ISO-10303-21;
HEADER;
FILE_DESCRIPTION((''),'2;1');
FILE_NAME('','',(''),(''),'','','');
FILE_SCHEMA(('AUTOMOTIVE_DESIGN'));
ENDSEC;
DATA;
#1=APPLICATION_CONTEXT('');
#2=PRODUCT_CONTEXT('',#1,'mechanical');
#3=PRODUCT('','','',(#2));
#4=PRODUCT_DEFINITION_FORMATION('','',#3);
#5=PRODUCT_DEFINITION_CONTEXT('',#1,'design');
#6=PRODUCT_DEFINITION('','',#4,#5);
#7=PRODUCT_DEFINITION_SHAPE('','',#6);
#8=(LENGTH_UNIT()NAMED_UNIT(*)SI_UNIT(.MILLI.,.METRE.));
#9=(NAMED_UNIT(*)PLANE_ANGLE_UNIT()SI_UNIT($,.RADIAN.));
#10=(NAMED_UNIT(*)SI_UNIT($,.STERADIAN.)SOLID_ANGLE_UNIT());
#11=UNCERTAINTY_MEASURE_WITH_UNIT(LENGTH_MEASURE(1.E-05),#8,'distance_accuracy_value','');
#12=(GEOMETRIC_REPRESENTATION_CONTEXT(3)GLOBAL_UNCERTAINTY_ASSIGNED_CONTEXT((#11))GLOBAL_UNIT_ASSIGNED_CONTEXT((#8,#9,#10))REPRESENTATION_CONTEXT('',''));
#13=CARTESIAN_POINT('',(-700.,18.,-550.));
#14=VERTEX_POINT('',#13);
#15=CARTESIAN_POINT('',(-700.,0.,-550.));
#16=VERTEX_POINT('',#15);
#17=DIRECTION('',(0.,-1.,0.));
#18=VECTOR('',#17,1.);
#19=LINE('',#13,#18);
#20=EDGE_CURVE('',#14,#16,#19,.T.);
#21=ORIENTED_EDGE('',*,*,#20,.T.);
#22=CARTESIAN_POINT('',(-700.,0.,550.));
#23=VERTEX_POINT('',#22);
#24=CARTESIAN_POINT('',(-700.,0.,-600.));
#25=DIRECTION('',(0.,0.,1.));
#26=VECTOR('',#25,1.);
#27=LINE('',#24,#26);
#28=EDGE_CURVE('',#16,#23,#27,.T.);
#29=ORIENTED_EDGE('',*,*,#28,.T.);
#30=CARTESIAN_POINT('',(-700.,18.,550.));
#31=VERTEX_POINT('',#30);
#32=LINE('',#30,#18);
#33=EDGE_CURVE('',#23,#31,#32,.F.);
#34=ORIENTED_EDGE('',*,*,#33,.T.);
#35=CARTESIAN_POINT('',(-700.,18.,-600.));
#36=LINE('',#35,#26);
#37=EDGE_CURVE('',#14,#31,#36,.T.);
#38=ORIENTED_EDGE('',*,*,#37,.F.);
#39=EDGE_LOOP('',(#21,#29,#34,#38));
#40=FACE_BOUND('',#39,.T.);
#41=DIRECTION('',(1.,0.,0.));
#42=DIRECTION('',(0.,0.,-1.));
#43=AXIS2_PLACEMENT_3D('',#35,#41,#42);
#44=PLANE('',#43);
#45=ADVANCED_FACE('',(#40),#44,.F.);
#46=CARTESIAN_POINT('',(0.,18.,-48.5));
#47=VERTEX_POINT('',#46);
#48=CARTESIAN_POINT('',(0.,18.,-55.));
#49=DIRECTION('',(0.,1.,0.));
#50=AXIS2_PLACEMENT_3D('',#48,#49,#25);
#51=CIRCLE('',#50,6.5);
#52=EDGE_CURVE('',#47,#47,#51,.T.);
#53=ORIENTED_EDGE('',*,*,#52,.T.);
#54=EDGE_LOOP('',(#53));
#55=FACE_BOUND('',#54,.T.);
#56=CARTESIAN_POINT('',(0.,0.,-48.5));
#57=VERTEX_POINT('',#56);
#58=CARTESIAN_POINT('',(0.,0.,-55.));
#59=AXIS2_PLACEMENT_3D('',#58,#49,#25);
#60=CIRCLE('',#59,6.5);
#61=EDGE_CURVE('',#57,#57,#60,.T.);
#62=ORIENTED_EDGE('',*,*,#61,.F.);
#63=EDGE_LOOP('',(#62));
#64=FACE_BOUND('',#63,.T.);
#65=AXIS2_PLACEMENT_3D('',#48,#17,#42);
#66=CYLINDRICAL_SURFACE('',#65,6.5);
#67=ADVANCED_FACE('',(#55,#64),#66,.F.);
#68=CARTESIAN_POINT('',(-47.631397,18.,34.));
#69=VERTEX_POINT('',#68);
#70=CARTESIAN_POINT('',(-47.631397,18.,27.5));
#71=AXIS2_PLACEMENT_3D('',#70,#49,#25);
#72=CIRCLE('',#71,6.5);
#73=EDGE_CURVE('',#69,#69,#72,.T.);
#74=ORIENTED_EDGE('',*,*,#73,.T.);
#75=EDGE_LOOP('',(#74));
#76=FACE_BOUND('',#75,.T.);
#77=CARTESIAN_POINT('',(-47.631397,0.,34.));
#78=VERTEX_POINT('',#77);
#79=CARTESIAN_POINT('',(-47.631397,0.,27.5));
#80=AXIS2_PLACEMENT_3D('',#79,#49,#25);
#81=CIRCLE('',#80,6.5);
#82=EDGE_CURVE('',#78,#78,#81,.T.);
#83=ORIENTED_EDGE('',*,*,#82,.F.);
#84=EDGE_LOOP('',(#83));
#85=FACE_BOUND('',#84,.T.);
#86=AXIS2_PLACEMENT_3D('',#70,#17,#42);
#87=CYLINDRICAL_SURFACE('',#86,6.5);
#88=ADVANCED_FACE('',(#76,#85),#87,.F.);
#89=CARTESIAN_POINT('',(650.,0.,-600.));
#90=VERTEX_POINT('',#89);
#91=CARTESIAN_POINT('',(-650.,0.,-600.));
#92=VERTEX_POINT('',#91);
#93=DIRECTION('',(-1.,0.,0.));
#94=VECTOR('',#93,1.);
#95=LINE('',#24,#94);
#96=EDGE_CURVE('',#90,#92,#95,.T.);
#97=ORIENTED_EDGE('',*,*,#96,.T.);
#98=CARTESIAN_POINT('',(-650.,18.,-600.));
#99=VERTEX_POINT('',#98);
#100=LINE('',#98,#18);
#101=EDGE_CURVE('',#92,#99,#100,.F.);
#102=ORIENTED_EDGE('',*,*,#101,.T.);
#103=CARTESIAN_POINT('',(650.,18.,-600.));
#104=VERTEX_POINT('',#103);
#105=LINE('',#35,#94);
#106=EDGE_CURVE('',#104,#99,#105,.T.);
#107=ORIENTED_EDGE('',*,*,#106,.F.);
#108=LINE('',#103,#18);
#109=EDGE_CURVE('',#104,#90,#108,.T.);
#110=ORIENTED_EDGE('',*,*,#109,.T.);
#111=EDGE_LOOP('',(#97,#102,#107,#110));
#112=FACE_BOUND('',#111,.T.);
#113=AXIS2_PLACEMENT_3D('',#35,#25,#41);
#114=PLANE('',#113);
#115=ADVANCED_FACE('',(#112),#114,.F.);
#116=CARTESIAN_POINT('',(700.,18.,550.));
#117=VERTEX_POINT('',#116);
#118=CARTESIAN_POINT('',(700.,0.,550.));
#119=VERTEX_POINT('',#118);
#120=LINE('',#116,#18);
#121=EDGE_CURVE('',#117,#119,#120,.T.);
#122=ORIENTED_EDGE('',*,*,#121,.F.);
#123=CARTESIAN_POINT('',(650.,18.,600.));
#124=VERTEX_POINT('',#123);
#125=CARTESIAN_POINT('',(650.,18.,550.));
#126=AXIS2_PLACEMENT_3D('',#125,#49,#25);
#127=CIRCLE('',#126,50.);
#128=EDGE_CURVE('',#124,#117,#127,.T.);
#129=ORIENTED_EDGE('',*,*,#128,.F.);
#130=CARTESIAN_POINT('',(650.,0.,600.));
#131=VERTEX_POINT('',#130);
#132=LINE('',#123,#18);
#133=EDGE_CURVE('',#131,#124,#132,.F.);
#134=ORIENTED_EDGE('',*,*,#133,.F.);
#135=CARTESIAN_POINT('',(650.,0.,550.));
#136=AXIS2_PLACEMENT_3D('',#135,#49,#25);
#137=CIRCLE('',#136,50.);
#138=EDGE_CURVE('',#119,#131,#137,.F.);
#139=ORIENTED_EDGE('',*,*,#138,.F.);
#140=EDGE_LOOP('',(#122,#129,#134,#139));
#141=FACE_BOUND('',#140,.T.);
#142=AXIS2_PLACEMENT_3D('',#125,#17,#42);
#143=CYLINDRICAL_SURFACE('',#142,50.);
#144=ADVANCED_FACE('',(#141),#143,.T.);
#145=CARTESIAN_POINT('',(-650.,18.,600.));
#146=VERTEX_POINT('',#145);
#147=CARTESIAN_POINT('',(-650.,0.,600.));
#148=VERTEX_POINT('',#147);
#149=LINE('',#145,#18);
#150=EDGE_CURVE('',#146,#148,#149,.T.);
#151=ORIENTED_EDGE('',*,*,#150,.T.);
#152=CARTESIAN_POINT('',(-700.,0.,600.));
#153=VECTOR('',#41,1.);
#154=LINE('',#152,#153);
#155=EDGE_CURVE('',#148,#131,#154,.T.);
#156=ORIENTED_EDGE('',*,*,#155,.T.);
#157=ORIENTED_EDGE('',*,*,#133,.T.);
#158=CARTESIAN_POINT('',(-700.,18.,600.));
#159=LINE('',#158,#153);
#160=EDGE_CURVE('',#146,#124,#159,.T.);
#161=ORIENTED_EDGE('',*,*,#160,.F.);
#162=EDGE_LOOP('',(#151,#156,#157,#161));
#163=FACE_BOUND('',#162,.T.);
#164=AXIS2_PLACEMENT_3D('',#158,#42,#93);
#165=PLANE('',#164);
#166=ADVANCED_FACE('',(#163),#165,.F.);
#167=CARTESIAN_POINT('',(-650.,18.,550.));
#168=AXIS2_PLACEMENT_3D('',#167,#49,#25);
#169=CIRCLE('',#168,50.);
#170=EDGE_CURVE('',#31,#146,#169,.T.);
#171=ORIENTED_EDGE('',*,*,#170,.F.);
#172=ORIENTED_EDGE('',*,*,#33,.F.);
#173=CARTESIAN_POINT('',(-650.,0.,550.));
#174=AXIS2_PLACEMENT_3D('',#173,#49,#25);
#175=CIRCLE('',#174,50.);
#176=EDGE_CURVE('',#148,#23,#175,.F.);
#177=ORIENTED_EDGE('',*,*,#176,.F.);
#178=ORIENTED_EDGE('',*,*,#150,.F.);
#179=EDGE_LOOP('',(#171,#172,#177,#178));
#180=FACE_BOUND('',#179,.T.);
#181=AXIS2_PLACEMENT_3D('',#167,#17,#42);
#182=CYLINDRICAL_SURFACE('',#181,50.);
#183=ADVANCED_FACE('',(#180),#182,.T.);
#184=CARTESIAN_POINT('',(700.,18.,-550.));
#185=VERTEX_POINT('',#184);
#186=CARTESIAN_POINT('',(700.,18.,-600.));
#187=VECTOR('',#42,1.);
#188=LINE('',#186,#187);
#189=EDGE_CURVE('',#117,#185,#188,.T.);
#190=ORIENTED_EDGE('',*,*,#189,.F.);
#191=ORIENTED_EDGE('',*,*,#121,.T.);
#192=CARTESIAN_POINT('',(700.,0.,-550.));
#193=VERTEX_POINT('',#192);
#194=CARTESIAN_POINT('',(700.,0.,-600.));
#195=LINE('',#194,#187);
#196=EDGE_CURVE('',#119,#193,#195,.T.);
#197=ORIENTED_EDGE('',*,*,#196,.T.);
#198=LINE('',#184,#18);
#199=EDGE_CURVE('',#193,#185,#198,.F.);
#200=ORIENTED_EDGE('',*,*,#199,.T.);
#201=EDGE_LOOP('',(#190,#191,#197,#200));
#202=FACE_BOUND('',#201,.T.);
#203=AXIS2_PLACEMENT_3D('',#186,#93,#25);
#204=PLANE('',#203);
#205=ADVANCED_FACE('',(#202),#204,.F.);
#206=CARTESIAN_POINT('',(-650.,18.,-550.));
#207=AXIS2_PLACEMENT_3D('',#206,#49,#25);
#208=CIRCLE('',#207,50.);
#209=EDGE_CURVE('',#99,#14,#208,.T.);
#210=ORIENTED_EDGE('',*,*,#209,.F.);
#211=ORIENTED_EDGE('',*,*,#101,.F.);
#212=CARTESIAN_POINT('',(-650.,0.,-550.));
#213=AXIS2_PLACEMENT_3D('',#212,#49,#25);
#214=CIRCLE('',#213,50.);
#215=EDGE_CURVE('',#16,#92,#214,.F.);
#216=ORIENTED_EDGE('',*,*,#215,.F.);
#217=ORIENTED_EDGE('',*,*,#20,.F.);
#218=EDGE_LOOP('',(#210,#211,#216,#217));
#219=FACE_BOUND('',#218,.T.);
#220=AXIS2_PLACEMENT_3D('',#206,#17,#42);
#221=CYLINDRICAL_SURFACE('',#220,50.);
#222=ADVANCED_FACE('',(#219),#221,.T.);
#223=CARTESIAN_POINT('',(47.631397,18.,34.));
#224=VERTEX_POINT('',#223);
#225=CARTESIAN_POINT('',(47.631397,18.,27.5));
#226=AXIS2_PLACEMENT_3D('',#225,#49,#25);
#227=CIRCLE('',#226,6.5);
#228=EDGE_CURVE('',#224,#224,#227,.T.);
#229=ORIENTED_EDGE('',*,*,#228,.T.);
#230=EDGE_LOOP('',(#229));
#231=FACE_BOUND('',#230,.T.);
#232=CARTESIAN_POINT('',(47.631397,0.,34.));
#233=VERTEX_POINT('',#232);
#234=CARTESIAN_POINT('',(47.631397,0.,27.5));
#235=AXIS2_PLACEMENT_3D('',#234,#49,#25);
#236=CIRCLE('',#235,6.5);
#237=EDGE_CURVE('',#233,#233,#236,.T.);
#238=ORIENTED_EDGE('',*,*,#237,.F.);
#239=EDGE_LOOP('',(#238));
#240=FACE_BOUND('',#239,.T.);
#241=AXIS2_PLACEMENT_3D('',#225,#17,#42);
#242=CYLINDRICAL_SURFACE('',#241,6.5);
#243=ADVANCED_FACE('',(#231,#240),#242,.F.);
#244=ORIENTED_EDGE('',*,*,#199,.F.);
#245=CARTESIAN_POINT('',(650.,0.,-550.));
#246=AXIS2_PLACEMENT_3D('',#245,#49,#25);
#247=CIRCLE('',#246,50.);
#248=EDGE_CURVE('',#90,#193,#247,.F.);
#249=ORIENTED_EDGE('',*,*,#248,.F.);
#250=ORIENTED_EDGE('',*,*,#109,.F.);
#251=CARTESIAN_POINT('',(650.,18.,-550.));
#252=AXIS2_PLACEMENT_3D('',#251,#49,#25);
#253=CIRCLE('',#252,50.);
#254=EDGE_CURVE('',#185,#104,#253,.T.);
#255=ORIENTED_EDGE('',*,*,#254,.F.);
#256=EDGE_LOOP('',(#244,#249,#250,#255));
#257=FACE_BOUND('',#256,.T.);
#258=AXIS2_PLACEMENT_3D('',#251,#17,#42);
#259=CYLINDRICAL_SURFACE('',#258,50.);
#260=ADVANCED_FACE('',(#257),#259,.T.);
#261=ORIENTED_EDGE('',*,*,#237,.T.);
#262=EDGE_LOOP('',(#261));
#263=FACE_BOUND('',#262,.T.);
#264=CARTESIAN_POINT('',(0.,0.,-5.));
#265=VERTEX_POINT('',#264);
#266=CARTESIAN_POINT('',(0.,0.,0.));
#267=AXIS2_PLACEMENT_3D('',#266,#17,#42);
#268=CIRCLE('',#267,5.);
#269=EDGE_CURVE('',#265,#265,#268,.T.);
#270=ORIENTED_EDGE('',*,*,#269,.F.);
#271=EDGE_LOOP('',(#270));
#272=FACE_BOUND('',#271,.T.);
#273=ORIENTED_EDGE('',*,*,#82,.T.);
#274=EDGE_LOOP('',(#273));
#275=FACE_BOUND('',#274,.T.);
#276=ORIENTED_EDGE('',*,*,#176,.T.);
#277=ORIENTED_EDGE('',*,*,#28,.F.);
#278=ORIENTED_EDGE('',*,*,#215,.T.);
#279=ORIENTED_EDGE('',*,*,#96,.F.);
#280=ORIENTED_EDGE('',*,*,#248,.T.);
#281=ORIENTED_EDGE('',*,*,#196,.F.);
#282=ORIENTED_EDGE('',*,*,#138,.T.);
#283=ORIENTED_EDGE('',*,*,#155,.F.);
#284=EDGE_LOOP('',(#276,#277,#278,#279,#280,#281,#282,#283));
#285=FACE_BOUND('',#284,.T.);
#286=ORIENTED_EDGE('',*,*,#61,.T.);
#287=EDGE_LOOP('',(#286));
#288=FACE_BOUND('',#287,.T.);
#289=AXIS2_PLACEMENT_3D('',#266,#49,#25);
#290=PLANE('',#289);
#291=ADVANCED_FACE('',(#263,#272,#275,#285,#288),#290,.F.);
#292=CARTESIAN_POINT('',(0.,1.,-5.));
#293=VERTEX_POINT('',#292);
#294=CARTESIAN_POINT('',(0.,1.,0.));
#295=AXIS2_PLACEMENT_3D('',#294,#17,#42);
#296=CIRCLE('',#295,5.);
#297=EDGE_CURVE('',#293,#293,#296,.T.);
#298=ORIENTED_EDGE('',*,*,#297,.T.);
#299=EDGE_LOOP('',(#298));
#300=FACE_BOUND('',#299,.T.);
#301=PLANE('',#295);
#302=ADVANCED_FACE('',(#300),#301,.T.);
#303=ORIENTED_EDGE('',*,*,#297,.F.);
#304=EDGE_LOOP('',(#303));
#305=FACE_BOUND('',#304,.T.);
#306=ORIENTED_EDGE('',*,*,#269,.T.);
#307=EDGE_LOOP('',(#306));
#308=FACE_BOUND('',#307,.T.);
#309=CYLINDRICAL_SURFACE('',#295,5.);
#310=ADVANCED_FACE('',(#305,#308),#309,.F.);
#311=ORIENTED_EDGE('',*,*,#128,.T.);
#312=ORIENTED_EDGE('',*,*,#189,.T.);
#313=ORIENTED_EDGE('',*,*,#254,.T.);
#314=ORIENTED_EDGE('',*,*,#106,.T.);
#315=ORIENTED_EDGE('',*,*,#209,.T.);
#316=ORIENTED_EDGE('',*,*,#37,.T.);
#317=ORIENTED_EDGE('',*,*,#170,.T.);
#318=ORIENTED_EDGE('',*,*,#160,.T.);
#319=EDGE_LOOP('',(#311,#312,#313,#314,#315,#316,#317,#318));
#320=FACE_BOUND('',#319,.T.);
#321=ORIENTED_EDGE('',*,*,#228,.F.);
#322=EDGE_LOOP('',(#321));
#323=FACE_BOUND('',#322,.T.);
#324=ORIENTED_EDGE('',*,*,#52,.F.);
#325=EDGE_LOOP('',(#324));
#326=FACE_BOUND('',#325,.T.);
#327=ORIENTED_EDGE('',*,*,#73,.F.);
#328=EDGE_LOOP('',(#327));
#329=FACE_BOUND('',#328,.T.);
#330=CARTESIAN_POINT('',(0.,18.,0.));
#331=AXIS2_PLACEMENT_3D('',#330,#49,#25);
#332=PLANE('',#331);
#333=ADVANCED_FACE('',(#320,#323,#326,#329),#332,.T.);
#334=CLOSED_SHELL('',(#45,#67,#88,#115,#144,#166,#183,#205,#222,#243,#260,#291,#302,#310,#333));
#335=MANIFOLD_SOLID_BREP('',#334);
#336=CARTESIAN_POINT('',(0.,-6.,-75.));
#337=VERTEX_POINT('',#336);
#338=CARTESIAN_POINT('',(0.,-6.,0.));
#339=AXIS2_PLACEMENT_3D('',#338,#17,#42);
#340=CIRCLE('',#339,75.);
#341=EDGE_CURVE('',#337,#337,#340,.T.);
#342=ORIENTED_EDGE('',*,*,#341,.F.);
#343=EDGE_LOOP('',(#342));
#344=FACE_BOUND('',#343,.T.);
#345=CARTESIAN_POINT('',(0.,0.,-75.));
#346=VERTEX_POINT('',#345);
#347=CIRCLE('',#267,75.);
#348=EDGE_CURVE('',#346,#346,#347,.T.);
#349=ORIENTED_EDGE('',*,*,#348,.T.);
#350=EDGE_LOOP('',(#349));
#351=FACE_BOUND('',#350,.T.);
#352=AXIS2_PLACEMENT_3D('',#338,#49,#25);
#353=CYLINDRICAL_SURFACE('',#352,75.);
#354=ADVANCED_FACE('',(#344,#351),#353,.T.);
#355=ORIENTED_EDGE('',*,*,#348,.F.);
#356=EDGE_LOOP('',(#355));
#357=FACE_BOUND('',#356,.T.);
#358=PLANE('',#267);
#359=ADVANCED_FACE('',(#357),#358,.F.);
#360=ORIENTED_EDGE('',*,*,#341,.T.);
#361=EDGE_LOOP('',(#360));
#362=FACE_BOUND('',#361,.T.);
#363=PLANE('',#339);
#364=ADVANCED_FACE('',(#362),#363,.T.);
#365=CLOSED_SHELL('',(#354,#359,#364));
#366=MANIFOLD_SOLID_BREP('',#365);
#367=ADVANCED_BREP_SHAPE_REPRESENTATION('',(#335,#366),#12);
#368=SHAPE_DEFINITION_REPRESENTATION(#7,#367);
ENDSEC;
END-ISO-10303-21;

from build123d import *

# Parameters (mm, degrees)
SKETCH1_W           = 1400
SKETCH1_H           = 1200
SKETCH1_R           = 6.5
BOSS_EXTRUDE1_DEPTH = 18
SKETCH2_R           = 5
CUT_EXTRUDE1_DEPTH  = 1
FILLET1_R           = 50
SKETCH4_R           = 75
BOSS_EXTRUDE2_DEPTH = 6


with BuildPart() as part:
    # Sketch1 → Boss-Extrude1 (new body)
    with BuildSketch(Plane(origin=(0, 0, 0), x_dir=(1, 0, 0), z_dir=(0, 1, 0))):
        Rectangle(SKETCH1_W, SKETCH1_H)
        with Locations((0, 55)):
            Circle(SKETCH1_R, mode=Mode.SUBTRACT)
        with Locations((-47.631397208, -27.5)):
            Circle(SKETCH1_R, mode=Mode.SUBTRACT)
        with Locations((47.631397208, -27.5)):
            Circle(SKETCH1_R, mode=Mode.SUBTRACT)
    extrude(amount=BOSS_EXTRUDE1_DEPTH)

    # Sketch2 → Cut-Extrude1 (cut)
    with BuildSketch(Plane.XZ):
        Circle(SKETCH2_R)
    extrude(amount=-CUT_EXTRUDE1_DEPTH, mode=Mode.SUBTRACT)

    # Fillet1
    fillet1_edges = [part.edges().sort_by_distance(p)[0] for p in [
        (700, 9, 600),
        (-700, 9, 600),
        (-700, 9, -600),
        (700, 9, -600),
    ]]
    fillet(fillet1_edges, radius=FILLET1_R)


with BuildPart() as body_2:
    # Sketch4 → Boss-Extrude2 (new body)
    with BuildSketch(Plane(origin=(0, 0, 0), x_dir=(-1, 0, 0), z_dir=(0, -1, 0))):
        Circle(SKETCH4_R)
    extrude(amount=BOSS_EXTRUDE2_DEPTH)


solid = Compound([part.part, body_2.part])
